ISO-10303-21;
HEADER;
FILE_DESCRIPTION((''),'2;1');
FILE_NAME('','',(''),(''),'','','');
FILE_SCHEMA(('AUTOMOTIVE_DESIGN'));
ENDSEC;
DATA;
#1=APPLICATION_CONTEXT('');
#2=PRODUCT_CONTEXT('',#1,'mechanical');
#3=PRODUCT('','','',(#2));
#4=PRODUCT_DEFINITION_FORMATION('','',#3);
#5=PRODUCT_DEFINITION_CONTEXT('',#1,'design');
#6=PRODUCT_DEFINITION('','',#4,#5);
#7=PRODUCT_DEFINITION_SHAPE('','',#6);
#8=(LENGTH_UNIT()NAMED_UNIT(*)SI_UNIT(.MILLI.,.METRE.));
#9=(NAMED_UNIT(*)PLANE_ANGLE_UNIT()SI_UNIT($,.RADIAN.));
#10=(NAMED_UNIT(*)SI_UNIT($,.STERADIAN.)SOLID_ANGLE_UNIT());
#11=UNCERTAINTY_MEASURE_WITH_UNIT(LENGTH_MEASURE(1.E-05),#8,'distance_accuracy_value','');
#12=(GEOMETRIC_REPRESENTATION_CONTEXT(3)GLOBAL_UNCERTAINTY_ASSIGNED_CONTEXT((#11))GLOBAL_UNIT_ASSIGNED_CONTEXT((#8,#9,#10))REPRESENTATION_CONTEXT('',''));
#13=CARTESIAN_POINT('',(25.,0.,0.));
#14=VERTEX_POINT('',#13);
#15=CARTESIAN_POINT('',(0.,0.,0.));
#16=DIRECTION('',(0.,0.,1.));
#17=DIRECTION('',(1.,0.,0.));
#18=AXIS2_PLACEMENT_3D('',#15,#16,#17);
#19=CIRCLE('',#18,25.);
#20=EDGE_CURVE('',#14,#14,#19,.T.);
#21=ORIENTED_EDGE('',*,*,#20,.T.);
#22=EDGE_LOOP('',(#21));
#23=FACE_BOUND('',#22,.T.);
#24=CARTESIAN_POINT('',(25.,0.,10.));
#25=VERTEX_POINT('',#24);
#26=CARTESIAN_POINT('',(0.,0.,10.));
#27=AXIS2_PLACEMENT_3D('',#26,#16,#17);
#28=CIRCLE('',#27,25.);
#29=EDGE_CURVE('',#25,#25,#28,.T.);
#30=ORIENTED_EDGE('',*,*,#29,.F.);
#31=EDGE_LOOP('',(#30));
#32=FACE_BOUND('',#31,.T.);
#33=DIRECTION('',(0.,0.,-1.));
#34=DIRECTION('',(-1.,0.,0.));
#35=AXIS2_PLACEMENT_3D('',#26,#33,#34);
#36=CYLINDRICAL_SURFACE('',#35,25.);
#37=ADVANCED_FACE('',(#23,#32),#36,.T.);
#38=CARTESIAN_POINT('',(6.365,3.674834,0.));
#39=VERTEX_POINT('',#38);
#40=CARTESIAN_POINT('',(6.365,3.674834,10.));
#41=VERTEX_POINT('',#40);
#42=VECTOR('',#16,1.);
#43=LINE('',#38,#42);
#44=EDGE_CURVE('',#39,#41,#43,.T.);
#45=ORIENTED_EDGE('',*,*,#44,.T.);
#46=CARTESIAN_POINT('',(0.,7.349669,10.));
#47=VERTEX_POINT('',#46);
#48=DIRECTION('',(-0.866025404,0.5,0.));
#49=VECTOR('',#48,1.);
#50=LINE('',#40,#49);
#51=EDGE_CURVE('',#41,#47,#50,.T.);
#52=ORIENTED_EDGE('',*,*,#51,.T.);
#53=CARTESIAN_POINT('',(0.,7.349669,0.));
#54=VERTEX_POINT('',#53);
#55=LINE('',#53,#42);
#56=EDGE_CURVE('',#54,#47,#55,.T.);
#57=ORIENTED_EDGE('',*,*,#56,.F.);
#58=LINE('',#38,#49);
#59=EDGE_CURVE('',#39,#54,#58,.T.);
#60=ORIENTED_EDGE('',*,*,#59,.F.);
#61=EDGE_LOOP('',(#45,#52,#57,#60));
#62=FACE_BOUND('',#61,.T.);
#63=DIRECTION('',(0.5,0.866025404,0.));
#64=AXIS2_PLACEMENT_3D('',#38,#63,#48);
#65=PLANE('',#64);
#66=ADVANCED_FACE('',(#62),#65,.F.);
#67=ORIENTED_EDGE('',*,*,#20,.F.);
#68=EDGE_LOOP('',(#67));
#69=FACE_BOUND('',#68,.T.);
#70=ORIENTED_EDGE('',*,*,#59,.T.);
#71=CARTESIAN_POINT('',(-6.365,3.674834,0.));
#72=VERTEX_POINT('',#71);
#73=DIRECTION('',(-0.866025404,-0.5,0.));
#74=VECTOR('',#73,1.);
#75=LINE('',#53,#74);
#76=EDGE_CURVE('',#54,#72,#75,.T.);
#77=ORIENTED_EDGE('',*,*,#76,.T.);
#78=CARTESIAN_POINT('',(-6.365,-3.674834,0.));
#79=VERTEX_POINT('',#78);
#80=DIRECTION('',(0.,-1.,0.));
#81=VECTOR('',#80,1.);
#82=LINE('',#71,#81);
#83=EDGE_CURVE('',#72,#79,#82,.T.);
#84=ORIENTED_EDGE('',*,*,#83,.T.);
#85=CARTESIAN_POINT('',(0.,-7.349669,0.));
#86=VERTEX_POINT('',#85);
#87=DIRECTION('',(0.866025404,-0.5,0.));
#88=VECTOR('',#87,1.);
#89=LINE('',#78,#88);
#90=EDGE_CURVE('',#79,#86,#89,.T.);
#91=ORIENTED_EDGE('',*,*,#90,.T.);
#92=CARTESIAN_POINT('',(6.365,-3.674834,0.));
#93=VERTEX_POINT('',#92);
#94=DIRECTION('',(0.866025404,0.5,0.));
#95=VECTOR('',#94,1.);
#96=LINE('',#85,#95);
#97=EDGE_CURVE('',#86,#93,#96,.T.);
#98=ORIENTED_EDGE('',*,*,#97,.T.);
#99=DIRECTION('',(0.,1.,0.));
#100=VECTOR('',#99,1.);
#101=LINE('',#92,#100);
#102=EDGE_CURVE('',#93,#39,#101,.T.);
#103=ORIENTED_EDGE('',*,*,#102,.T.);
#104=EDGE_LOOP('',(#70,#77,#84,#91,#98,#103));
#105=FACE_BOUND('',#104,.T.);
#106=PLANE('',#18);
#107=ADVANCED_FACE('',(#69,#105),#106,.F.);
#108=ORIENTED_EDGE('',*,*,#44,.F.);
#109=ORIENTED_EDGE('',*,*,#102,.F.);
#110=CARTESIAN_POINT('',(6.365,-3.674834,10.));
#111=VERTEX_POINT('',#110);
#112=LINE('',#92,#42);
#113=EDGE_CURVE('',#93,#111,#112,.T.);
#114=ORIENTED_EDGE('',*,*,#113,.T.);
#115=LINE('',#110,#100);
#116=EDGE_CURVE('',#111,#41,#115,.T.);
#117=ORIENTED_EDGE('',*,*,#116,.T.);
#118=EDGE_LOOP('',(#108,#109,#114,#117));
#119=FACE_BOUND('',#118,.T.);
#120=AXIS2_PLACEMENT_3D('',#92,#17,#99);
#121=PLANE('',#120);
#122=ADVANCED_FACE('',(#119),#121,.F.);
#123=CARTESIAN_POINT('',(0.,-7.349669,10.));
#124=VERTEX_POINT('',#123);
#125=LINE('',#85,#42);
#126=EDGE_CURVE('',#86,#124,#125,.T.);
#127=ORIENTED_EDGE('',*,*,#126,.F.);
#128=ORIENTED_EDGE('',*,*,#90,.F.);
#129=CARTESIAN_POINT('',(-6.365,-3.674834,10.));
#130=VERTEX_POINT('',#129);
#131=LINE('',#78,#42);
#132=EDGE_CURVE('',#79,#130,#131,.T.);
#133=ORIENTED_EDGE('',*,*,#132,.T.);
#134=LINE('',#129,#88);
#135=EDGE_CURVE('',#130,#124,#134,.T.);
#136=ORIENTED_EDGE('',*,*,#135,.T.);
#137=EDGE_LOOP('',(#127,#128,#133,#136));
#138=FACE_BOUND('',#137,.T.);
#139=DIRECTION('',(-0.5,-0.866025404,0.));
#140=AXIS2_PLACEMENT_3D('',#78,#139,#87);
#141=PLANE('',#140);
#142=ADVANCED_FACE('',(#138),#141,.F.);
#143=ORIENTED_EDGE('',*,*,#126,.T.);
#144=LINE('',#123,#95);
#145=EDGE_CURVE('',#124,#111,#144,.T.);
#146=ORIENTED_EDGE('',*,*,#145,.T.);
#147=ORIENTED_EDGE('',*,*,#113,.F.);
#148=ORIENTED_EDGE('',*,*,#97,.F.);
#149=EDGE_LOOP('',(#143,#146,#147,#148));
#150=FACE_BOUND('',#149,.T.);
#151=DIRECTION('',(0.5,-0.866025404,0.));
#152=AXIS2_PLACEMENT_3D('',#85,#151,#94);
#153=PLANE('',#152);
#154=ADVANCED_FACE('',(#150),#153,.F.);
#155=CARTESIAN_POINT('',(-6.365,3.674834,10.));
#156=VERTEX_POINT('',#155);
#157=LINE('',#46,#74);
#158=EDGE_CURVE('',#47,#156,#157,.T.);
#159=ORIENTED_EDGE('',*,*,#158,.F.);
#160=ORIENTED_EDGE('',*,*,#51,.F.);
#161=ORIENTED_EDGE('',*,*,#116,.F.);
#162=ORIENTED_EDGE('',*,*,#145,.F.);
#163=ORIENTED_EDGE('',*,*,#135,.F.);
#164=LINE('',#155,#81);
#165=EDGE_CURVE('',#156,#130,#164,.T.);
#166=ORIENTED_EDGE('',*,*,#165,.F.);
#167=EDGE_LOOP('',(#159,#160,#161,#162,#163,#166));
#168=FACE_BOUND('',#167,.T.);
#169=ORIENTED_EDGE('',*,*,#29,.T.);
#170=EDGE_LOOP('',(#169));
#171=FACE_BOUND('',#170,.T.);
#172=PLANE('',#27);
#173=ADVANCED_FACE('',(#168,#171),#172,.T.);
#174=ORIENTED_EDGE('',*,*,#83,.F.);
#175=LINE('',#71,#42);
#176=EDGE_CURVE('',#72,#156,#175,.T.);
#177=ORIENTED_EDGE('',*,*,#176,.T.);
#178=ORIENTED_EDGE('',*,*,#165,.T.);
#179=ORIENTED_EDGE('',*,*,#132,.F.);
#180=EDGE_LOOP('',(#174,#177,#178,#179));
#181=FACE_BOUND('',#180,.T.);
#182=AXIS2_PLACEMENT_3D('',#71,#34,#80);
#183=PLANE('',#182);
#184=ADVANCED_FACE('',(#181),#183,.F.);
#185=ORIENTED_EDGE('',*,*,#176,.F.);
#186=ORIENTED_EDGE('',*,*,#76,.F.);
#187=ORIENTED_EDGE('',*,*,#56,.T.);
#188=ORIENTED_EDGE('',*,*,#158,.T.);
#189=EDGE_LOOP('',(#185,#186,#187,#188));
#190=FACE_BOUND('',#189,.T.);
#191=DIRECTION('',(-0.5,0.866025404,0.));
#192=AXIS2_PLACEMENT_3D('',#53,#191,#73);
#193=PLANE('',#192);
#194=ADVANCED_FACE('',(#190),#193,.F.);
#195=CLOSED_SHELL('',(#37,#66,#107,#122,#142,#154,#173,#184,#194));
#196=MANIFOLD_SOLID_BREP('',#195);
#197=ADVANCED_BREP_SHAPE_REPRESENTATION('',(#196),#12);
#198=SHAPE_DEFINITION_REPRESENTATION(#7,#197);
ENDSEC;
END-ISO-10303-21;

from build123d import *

# Parameters (mm, degrees)
SKETCH1_R           = 25
BOSS_EXTRUDE2_DEPTH = 10
CUT_EXTRUDE1_DEPTH  = 10


with BuildPart() as part:
    # Sketch1 → Boss-Extrude2 (new body)
    with BuildSketch(Plane.XY):
        Circle(SKETCH1_R)
    extrude(amount=BOSS_EXTRUDE2_DEPTH)

    # Sketch2 → Cut-Extrude1 (cut)
    with BuildSketch(Plane.XY.offset(10)):
        Polygon((0, 7.349668927), (-6.365, 3.674834463), (-6.365, -3.674834463), (0, -7.349668927), (6.365, -3.674834463), (6.365, 3.674834463), align=None)
    extrude(amount=-CUT_EXTRUDE1_DEPTH, mode=Mode.SUBTRACT)


solid = part.part
